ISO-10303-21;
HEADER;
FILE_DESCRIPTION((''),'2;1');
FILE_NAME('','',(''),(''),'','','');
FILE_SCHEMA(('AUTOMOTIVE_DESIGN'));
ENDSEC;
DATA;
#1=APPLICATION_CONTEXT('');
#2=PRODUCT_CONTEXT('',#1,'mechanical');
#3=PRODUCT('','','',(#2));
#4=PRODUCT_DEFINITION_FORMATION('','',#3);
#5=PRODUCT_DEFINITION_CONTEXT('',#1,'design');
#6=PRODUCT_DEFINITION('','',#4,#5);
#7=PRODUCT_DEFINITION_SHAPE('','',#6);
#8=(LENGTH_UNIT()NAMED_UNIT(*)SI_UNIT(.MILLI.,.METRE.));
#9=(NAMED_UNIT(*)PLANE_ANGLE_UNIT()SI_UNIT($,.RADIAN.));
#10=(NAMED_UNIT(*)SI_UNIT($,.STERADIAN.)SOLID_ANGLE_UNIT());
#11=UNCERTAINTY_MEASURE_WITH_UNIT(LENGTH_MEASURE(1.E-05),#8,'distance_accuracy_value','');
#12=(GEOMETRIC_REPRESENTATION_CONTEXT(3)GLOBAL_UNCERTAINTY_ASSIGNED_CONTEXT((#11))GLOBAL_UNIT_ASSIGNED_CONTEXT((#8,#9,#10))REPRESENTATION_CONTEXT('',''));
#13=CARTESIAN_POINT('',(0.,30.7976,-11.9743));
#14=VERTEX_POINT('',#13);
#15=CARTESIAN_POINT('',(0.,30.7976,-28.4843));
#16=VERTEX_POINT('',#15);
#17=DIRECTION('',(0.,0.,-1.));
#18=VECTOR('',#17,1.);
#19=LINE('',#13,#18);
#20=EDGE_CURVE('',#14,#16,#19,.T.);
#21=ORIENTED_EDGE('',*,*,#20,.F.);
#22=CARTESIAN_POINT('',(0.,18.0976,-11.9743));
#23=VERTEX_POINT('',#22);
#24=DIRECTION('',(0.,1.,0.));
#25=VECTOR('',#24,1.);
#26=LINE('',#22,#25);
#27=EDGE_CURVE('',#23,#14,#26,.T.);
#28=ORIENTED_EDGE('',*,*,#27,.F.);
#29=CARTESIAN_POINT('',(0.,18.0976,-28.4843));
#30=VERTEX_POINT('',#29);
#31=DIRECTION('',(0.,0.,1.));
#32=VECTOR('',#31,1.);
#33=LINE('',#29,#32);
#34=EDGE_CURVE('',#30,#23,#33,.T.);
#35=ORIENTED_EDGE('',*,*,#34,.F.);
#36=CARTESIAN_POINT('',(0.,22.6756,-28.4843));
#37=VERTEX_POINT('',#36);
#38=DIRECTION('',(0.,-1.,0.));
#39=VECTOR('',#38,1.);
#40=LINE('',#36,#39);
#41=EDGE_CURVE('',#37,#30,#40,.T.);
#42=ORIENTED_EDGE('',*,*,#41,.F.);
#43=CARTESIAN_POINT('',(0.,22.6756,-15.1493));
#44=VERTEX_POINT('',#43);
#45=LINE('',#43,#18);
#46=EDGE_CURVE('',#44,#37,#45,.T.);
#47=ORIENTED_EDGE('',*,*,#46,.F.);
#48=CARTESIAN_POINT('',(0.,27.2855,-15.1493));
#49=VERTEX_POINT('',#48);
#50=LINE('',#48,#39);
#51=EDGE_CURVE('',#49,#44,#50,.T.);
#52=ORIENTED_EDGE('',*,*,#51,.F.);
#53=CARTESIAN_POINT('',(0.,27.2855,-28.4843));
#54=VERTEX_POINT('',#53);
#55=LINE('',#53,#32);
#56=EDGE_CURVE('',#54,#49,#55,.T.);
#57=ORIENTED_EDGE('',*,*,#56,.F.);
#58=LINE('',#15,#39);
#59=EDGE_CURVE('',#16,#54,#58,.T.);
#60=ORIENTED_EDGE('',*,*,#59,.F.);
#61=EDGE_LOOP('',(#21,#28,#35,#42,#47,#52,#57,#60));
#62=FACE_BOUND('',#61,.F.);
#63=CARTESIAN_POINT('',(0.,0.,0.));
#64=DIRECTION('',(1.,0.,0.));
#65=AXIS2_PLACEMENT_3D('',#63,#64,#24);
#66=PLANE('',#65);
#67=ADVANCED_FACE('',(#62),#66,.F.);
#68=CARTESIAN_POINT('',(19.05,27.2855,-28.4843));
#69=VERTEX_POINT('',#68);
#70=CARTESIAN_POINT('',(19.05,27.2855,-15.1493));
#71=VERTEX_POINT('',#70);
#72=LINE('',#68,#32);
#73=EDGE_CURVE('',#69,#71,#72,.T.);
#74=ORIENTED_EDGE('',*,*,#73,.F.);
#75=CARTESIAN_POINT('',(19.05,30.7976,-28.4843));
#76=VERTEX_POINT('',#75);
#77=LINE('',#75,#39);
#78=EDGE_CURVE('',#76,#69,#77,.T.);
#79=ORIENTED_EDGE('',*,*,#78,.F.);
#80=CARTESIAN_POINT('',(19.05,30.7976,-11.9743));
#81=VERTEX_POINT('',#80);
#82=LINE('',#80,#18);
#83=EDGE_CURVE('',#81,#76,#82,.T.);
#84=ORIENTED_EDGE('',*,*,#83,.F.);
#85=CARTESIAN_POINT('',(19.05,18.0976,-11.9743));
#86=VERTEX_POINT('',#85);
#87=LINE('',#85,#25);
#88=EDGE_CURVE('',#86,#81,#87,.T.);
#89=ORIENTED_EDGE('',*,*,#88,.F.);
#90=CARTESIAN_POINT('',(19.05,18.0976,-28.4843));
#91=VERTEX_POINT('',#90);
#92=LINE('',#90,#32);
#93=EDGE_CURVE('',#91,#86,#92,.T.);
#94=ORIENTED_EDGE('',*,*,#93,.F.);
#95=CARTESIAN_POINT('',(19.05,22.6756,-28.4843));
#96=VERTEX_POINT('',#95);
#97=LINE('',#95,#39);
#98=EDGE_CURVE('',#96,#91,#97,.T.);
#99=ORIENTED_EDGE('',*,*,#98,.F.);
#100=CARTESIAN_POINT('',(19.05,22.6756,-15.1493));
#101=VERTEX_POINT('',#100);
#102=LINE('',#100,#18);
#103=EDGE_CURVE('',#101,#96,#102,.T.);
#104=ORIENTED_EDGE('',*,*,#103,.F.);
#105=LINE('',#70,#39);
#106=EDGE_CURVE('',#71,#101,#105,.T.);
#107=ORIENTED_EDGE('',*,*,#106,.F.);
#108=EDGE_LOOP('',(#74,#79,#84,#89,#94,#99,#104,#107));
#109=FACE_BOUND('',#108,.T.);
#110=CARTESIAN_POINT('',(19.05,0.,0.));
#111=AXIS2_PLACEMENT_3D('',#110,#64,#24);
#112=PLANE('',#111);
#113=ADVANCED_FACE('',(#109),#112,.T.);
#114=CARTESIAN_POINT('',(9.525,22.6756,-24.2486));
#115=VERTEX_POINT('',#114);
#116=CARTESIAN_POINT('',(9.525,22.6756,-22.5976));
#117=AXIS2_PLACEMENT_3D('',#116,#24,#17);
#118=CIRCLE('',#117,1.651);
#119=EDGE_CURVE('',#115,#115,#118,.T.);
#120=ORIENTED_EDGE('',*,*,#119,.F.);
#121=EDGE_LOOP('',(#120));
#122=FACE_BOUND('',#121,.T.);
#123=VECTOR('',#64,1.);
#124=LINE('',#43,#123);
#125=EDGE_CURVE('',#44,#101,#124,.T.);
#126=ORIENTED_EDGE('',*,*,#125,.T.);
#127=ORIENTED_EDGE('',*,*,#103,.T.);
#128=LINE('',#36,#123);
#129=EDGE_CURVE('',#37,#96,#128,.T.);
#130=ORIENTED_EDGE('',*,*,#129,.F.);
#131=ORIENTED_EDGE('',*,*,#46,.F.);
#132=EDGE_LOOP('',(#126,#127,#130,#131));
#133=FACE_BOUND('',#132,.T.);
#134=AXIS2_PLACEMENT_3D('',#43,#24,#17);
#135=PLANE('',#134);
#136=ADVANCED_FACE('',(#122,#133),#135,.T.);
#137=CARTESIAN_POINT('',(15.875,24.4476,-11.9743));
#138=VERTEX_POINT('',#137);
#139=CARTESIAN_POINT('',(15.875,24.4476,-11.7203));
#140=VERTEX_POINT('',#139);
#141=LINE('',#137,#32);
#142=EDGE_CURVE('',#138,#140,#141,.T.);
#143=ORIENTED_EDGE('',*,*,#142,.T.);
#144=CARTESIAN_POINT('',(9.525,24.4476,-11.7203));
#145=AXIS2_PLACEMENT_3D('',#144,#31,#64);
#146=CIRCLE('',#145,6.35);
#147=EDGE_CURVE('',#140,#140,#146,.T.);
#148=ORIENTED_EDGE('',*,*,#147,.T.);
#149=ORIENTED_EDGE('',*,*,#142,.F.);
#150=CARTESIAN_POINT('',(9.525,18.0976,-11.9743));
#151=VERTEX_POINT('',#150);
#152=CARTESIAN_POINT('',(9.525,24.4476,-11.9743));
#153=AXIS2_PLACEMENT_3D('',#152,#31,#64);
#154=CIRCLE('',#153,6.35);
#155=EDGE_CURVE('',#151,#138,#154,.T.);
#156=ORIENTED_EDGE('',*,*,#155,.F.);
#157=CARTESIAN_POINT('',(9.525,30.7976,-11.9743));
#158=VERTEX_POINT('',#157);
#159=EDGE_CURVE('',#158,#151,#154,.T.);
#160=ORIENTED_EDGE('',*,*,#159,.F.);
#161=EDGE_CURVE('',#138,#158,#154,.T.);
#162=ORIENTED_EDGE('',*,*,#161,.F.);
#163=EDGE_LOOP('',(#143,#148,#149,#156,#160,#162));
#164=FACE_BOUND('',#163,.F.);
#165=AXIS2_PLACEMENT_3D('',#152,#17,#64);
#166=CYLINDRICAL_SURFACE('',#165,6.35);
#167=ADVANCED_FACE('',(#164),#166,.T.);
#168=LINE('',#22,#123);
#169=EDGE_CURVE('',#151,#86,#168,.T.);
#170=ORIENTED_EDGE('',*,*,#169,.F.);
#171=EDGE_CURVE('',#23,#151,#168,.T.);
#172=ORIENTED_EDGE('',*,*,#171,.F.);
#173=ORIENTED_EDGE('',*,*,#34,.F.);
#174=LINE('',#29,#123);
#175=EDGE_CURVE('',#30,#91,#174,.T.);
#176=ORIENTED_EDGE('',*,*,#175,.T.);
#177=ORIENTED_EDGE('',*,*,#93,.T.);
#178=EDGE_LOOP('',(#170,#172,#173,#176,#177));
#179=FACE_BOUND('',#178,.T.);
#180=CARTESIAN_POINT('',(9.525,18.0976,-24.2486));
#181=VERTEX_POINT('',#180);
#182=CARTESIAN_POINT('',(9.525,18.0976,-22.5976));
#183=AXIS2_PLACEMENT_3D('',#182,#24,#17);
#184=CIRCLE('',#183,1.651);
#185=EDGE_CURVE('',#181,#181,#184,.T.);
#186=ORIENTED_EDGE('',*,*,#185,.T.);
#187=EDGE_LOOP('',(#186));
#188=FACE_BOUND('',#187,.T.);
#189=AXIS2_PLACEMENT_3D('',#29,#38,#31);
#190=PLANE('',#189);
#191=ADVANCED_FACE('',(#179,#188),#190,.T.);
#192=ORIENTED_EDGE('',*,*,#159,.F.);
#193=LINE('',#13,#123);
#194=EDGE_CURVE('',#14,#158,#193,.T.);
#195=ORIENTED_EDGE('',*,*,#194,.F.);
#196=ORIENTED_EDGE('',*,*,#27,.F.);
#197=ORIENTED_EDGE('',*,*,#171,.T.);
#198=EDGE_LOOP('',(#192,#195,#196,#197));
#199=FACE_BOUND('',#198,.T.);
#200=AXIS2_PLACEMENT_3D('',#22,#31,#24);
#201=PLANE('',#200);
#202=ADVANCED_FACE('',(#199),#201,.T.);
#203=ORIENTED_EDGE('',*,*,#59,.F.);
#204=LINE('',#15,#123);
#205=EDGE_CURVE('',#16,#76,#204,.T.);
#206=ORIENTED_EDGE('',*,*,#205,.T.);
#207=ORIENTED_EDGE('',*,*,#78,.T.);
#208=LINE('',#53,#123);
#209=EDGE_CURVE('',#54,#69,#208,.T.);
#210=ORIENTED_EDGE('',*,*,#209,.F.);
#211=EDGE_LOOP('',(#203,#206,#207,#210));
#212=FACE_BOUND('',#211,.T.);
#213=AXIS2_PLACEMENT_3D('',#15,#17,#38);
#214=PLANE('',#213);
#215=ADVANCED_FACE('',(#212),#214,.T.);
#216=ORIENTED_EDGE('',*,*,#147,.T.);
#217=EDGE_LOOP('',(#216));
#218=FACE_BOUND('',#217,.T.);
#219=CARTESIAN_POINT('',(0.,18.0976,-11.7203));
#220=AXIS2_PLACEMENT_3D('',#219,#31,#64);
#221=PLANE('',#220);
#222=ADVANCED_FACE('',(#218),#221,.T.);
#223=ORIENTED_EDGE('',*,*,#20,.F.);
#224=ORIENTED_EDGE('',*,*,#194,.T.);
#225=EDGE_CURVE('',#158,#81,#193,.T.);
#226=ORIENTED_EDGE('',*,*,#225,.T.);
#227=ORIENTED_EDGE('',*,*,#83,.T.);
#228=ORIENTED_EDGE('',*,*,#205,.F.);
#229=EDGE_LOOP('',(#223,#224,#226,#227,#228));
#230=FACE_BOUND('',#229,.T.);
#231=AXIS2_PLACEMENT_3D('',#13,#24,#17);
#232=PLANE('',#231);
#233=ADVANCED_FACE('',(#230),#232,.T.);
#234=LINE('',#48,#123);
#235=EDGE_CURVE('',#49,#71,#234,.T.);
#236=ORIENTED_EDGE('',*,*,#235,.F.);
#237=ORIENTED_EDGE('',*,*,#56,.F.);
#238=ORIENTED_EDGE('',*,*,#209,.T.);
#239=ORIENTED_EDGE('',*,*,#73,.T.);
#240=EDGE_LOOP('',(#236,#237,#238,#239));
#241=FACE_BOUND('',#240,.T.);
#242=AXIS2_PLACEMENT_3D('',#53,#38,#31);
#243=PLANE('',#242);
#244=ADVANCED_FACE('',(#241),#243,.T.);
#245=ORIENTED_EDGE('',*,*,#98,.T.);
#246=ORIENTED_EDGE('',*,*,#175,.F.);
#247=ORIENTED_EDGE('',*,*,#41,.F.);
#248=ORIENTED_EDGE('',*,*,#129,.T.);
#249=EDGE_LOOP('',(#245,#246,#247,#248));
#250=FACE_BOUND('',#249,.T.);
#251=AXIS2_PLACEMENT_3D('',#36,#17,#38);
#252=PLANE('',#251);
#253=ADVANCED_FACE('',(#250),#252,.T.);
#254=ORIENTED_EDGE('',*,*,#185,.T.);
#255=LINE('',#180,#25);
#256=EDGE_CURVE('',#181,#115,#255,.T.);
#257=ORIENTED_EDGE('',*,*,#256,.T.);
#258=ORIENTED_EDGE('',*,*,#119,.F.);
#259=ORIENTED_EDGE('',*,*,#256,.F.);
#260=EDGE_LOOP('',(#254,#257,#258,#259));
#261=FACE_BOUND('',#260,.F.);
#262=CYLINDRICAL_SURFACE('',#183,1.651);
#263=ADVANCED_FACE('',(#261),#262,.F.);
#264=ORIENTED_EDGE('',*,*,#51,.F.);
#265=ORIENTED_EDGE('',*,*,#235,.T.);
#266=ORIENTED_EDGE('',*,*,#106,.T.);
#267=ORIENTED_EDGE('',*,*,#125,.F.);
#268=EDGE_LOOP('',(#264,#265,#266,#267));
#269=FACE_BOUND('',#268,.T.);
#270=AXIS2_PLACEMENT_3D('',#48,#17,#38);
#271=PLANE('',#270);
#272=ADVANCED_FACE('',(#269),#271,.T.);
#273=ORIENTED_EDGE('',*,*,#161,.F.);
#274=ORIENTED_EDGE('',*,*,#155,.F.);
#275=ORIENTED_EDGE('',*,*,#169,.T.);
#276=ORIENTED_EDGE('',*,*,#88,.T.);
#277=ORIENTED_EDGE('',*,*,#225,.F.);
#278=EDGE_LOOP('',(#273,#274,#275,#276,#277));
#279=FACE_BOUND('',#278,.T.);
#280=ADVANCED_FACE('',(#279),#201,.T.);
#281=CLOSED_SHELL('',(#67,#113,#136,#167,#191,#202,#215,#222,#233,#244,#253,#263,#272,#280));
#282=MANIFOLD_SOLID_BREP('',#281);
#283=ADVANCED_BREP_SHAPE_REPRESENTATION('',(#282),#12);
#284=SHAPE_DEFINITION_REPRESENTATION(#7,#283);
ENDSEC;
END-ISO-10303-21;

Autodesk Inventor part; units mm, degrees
ref_plane "YZ Plane" through (0, 0, 0) normal (1, 0, 0) x (0, 1, 0)
ref_plane "XZ Plane" through (0, 0, 0) normal (0, 1, 0) x (-1, 0, 0)
ref_plane "XY Plane" through (0, 0, 0) normal (0, 0, 1) x (1, 0, 0)
sketch "Sketch1" plane through (0, 0, 0) normal (1, 0, 0) x (0, 1, 0)
  line L0 (18.0976, -11.9743) -> (30.7976, -11.9743)
  line L1 (30.7976, -11.9743) -> (30.7976, -28.4843)
  line L2 (18.0976, -28.4843) -> (18.0976, -11.9743)
  line L3 (27.2855, -28.4843) -> (27.2855, -15.1493)
  line L4 (27.2855, -15.1493) -> (22.6756, -15.1493)
  line L5 (22.6756, -15.1493) -> (22.6756, -28.4843)
  line L6 (30.7976, -28.4843) -> (27.2855, -28.4843)
  line L7 (22.6756, -28.4843) -> (18.0976, -28.4843)
  point P0 (0, 0)
  dimension "d0" = 12.7
  dimension "d1" = 16.51
  dimension "d14" = 3.175
extrude "Extrusion1" add sketch "Sketch1" along normal blind 19.05
sketch "Sketch2" plane through (0, 18.0976, -28.4843) normal (0, -1, 0) x (1, 0, 0)
  circle A0 centre (9.525, 5.8867) radius 2.6491
  point P0 (0, 28.4843)
hole "Hole1" at (9.525, 18.0976, -22.5976) direction (0, 1, 0) diameter 3.302 depth 7.62 tip angle 118 thread size "8-32 UNC" class "2B" standard "ANSI Unified Screw Threads"
sketch "Sketch3" plane through (0, 18.0976, -11.9743) normal (0, 0, 1) x (1, 0, 0)
  circle A0 centre (9.525, 6.35) radius 6.35
  point P0 (0, -18.0976)
  dimension "d11" = 12.7
extrude "Extrusion2" add sketch "Sketch3" along normal blind 0.254
properties part number "endcapTarget"
